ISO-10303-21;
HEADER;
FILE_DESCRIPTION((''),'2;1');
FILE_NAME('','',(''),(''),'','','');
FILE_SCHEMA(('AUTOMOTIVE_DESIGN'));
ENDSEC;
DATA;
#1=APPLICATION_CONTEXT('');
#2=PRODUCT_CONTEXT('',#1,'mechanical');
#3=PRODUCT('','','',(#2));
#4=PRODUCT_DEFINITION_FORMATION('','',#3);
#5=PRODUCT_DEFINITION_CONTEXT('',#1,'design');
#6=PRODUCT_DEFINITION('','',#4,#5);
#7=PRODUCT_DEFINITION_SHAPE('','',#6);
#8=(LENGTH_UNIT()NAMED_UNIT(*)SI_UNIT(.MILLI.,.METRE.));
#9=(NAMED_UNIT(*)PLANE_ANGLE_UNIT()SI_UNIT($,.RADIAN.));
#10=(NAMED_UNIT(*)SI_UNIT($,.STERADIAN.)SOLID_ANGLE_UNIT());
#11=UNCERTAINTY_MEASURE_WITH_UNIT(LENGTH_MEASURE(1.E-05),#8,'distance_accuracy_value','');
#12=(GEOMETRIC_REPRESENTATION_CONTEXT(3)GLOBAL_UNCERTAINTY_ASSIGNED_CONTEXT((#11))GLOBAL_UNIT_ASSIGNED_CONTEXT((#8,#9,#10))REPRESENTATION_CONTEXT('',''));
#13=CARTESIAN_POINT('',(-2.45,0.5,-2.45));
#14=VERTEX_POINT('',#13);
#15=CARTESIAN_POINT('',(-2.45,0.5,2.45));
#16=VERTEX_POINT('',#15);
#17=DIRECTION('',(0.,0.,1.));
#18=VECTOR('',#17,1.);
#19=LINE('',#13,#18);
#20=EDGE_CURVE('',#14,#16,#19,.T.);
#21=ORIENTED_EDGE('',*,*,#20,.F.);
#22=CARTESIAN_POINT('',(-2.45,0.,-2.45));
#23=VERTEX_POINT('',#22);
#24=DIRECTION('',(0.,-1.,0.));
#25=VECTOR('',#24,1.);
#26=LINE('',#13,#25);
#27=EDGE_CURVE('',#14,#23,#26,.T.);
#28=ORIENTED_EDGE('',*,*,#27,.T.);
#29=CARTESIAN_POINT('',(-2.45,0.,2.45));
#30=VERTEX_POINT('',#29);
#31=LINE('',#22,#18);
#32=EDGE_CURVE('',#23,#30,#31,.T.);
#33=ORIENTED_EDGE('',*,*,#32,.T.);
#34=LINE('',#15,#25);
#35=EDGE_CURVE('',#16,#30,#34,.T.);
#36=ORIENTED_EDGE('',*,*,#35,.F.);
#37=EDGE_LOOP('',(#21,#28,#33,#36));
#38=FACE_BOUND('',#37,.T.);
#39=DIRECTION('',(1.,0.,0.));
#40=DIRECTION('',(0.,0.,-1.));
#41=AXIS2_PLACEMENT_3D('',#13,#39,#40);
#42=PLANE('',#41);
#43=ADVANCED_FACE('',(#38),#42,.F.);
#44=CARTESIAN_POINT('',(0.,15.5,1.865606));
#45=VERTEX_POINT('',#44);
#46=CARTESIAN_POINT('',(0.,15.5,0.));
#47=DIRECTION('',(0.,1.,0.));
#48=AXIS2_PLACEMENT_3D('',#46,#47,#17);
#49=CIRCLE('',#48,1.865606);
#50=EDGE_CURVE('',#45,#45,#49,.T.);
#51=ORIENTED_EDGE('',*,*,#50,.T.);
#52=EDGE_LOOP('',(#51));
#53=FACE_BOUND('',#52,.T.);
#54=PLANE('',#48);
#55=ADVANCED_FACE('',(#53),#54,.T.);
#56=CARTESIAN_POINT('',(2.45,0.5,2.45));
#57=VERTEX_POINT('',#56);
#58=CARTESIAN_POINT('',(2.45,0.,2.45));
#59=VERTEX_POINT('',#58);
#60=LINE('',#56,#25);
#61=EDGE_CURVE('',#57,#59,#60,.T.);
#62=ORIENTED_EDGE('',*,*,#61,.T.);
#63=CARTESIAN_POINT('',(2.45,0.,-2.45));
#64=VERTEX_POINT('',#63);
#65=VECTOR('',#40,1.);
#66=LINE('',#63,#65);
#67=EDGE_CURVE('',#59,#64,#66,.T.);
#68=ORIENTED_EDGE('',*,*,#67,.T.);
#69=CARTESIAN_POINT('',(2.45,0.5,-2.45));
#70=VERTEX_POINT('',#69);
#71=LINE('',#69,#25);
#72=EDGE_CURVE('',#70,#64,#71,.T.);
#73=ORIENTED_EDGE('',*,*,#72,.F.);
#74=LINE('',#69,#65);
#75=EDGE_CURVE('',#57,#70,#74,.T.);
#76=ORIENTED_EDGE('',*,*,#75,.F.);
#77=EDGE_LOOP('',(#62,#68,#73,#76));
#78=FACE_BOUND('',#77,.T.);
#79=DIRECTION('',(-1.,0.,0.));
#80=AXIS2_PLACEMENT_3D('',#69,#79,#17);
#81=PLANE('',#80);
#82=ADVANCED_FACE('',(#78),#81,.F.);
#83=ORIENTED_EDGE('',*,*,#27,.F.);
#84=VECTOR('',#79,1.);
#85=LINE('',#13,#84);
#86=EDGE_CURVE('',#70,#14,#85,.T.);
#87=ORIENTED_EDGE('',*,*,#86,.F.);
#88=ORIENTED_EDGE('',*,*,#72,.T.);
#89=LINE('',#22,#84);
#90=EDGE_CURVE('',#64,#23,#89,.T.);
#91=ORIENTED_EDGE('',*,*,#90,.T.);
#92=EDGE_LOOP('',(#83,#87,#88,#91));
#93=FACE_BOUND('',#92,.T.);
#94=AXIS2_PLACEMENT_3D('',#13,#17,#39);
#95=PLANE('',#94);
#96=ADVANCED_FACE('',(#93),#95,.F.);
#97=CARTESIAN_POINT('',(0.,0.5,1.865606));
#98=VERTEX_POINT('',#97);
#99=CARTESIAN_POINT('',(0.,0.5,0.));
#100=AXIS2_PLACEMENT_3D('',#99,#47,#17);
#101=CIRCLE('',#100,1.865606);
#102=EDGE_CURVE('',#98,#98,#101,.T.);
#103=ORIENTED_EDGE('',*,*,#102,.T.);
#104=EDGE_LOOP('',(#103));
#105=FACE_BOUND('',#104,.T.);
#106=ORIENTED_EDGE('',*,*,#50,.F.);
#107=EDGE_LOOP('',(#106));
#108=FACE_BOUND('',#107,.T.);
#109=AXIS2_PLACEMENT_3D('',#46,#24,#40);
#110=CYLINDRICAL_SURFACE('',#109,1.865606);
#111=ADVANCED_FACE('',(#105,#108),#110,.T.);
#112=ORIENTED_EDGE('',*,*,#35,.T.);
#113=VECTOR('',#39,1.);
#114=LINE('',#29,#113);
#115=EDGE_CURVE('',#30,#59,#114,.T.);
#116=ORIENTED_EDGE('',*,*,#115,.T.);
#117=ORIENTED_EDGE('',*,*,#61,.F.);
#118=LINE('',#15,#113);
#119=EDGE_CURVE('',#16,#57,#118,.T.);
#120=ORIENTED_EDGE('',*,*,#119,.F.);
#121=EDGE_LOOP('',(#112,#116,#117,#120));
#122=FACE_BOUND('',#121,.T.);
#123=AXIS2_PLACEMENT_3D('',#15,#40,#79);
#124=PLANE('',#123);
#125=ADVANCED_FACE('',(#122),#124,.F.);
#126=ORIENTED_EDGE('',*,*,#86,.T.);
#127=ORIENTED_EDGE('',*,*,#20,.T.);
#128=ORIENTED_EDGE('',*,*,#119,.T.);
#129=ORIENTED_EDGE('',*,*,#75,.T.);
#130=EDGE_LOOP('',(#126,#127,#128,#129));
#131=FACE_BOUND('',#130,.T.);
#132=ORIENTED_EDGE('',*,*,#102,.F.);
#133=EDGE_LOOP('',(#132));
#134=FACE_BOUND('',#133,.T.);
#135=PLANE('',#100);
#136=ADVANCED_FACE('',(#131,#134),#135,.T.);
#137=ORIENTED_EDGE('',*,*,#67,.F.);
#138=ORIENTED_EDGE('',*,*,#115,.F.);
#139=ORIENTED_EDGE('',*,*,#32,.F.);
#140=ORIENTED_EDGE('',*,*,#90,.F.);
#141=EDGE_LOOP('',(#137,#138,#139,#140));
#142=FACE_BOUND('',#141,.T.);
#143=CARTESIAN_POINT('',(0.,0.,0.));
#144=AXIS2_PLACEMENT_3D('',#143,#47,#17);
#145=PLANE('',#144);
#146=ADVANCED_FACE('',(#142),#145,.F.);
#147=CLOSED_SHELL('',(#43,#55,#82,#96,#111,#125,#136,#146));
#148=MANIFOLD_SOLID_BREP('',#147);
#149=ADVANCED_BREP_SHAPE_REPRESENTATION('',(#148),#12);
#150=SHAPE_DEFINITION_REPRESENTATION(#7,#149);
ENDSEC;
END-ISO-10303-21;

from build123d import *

# Parameters (mm, degrees)
SKETCH1_W           = 4.9
SKETCH1_H           = 4.9
BOSS_EXTRUDE1_DEPTH = 0.5
SKETCH2_R           = 1.865605767
BOSS_EXTRUDE3_DEPTH = 15


with BuildPart() as part:
    # Sketch1 → Boss-Extrude1 (new body)
    with BuildSketch(Plane(origin=(0, 0, 0), x_dir=(1, 0, 0), z_dir=(0, 1, 0))):
        Rectangle(SKETCH1_W, SKETCH1_H)
    extrude(amount=BOSS_EXTRUDE1_DEPTH)

    # Sketch2 → Boss-Extrude3 (add)
    with BuildSketch(Plane(origin=(0, 0.5, 0), x_dir=(1, 0, 0), z_dir=(0, 1, 0))):
        with Locations(Location((0, 0, 0), (0, 0, 270))):
            Circle(SKETCH2_R)
    extrude(amount=BOSS_EXTRUDE3_DEPTH)


solid = part.part
